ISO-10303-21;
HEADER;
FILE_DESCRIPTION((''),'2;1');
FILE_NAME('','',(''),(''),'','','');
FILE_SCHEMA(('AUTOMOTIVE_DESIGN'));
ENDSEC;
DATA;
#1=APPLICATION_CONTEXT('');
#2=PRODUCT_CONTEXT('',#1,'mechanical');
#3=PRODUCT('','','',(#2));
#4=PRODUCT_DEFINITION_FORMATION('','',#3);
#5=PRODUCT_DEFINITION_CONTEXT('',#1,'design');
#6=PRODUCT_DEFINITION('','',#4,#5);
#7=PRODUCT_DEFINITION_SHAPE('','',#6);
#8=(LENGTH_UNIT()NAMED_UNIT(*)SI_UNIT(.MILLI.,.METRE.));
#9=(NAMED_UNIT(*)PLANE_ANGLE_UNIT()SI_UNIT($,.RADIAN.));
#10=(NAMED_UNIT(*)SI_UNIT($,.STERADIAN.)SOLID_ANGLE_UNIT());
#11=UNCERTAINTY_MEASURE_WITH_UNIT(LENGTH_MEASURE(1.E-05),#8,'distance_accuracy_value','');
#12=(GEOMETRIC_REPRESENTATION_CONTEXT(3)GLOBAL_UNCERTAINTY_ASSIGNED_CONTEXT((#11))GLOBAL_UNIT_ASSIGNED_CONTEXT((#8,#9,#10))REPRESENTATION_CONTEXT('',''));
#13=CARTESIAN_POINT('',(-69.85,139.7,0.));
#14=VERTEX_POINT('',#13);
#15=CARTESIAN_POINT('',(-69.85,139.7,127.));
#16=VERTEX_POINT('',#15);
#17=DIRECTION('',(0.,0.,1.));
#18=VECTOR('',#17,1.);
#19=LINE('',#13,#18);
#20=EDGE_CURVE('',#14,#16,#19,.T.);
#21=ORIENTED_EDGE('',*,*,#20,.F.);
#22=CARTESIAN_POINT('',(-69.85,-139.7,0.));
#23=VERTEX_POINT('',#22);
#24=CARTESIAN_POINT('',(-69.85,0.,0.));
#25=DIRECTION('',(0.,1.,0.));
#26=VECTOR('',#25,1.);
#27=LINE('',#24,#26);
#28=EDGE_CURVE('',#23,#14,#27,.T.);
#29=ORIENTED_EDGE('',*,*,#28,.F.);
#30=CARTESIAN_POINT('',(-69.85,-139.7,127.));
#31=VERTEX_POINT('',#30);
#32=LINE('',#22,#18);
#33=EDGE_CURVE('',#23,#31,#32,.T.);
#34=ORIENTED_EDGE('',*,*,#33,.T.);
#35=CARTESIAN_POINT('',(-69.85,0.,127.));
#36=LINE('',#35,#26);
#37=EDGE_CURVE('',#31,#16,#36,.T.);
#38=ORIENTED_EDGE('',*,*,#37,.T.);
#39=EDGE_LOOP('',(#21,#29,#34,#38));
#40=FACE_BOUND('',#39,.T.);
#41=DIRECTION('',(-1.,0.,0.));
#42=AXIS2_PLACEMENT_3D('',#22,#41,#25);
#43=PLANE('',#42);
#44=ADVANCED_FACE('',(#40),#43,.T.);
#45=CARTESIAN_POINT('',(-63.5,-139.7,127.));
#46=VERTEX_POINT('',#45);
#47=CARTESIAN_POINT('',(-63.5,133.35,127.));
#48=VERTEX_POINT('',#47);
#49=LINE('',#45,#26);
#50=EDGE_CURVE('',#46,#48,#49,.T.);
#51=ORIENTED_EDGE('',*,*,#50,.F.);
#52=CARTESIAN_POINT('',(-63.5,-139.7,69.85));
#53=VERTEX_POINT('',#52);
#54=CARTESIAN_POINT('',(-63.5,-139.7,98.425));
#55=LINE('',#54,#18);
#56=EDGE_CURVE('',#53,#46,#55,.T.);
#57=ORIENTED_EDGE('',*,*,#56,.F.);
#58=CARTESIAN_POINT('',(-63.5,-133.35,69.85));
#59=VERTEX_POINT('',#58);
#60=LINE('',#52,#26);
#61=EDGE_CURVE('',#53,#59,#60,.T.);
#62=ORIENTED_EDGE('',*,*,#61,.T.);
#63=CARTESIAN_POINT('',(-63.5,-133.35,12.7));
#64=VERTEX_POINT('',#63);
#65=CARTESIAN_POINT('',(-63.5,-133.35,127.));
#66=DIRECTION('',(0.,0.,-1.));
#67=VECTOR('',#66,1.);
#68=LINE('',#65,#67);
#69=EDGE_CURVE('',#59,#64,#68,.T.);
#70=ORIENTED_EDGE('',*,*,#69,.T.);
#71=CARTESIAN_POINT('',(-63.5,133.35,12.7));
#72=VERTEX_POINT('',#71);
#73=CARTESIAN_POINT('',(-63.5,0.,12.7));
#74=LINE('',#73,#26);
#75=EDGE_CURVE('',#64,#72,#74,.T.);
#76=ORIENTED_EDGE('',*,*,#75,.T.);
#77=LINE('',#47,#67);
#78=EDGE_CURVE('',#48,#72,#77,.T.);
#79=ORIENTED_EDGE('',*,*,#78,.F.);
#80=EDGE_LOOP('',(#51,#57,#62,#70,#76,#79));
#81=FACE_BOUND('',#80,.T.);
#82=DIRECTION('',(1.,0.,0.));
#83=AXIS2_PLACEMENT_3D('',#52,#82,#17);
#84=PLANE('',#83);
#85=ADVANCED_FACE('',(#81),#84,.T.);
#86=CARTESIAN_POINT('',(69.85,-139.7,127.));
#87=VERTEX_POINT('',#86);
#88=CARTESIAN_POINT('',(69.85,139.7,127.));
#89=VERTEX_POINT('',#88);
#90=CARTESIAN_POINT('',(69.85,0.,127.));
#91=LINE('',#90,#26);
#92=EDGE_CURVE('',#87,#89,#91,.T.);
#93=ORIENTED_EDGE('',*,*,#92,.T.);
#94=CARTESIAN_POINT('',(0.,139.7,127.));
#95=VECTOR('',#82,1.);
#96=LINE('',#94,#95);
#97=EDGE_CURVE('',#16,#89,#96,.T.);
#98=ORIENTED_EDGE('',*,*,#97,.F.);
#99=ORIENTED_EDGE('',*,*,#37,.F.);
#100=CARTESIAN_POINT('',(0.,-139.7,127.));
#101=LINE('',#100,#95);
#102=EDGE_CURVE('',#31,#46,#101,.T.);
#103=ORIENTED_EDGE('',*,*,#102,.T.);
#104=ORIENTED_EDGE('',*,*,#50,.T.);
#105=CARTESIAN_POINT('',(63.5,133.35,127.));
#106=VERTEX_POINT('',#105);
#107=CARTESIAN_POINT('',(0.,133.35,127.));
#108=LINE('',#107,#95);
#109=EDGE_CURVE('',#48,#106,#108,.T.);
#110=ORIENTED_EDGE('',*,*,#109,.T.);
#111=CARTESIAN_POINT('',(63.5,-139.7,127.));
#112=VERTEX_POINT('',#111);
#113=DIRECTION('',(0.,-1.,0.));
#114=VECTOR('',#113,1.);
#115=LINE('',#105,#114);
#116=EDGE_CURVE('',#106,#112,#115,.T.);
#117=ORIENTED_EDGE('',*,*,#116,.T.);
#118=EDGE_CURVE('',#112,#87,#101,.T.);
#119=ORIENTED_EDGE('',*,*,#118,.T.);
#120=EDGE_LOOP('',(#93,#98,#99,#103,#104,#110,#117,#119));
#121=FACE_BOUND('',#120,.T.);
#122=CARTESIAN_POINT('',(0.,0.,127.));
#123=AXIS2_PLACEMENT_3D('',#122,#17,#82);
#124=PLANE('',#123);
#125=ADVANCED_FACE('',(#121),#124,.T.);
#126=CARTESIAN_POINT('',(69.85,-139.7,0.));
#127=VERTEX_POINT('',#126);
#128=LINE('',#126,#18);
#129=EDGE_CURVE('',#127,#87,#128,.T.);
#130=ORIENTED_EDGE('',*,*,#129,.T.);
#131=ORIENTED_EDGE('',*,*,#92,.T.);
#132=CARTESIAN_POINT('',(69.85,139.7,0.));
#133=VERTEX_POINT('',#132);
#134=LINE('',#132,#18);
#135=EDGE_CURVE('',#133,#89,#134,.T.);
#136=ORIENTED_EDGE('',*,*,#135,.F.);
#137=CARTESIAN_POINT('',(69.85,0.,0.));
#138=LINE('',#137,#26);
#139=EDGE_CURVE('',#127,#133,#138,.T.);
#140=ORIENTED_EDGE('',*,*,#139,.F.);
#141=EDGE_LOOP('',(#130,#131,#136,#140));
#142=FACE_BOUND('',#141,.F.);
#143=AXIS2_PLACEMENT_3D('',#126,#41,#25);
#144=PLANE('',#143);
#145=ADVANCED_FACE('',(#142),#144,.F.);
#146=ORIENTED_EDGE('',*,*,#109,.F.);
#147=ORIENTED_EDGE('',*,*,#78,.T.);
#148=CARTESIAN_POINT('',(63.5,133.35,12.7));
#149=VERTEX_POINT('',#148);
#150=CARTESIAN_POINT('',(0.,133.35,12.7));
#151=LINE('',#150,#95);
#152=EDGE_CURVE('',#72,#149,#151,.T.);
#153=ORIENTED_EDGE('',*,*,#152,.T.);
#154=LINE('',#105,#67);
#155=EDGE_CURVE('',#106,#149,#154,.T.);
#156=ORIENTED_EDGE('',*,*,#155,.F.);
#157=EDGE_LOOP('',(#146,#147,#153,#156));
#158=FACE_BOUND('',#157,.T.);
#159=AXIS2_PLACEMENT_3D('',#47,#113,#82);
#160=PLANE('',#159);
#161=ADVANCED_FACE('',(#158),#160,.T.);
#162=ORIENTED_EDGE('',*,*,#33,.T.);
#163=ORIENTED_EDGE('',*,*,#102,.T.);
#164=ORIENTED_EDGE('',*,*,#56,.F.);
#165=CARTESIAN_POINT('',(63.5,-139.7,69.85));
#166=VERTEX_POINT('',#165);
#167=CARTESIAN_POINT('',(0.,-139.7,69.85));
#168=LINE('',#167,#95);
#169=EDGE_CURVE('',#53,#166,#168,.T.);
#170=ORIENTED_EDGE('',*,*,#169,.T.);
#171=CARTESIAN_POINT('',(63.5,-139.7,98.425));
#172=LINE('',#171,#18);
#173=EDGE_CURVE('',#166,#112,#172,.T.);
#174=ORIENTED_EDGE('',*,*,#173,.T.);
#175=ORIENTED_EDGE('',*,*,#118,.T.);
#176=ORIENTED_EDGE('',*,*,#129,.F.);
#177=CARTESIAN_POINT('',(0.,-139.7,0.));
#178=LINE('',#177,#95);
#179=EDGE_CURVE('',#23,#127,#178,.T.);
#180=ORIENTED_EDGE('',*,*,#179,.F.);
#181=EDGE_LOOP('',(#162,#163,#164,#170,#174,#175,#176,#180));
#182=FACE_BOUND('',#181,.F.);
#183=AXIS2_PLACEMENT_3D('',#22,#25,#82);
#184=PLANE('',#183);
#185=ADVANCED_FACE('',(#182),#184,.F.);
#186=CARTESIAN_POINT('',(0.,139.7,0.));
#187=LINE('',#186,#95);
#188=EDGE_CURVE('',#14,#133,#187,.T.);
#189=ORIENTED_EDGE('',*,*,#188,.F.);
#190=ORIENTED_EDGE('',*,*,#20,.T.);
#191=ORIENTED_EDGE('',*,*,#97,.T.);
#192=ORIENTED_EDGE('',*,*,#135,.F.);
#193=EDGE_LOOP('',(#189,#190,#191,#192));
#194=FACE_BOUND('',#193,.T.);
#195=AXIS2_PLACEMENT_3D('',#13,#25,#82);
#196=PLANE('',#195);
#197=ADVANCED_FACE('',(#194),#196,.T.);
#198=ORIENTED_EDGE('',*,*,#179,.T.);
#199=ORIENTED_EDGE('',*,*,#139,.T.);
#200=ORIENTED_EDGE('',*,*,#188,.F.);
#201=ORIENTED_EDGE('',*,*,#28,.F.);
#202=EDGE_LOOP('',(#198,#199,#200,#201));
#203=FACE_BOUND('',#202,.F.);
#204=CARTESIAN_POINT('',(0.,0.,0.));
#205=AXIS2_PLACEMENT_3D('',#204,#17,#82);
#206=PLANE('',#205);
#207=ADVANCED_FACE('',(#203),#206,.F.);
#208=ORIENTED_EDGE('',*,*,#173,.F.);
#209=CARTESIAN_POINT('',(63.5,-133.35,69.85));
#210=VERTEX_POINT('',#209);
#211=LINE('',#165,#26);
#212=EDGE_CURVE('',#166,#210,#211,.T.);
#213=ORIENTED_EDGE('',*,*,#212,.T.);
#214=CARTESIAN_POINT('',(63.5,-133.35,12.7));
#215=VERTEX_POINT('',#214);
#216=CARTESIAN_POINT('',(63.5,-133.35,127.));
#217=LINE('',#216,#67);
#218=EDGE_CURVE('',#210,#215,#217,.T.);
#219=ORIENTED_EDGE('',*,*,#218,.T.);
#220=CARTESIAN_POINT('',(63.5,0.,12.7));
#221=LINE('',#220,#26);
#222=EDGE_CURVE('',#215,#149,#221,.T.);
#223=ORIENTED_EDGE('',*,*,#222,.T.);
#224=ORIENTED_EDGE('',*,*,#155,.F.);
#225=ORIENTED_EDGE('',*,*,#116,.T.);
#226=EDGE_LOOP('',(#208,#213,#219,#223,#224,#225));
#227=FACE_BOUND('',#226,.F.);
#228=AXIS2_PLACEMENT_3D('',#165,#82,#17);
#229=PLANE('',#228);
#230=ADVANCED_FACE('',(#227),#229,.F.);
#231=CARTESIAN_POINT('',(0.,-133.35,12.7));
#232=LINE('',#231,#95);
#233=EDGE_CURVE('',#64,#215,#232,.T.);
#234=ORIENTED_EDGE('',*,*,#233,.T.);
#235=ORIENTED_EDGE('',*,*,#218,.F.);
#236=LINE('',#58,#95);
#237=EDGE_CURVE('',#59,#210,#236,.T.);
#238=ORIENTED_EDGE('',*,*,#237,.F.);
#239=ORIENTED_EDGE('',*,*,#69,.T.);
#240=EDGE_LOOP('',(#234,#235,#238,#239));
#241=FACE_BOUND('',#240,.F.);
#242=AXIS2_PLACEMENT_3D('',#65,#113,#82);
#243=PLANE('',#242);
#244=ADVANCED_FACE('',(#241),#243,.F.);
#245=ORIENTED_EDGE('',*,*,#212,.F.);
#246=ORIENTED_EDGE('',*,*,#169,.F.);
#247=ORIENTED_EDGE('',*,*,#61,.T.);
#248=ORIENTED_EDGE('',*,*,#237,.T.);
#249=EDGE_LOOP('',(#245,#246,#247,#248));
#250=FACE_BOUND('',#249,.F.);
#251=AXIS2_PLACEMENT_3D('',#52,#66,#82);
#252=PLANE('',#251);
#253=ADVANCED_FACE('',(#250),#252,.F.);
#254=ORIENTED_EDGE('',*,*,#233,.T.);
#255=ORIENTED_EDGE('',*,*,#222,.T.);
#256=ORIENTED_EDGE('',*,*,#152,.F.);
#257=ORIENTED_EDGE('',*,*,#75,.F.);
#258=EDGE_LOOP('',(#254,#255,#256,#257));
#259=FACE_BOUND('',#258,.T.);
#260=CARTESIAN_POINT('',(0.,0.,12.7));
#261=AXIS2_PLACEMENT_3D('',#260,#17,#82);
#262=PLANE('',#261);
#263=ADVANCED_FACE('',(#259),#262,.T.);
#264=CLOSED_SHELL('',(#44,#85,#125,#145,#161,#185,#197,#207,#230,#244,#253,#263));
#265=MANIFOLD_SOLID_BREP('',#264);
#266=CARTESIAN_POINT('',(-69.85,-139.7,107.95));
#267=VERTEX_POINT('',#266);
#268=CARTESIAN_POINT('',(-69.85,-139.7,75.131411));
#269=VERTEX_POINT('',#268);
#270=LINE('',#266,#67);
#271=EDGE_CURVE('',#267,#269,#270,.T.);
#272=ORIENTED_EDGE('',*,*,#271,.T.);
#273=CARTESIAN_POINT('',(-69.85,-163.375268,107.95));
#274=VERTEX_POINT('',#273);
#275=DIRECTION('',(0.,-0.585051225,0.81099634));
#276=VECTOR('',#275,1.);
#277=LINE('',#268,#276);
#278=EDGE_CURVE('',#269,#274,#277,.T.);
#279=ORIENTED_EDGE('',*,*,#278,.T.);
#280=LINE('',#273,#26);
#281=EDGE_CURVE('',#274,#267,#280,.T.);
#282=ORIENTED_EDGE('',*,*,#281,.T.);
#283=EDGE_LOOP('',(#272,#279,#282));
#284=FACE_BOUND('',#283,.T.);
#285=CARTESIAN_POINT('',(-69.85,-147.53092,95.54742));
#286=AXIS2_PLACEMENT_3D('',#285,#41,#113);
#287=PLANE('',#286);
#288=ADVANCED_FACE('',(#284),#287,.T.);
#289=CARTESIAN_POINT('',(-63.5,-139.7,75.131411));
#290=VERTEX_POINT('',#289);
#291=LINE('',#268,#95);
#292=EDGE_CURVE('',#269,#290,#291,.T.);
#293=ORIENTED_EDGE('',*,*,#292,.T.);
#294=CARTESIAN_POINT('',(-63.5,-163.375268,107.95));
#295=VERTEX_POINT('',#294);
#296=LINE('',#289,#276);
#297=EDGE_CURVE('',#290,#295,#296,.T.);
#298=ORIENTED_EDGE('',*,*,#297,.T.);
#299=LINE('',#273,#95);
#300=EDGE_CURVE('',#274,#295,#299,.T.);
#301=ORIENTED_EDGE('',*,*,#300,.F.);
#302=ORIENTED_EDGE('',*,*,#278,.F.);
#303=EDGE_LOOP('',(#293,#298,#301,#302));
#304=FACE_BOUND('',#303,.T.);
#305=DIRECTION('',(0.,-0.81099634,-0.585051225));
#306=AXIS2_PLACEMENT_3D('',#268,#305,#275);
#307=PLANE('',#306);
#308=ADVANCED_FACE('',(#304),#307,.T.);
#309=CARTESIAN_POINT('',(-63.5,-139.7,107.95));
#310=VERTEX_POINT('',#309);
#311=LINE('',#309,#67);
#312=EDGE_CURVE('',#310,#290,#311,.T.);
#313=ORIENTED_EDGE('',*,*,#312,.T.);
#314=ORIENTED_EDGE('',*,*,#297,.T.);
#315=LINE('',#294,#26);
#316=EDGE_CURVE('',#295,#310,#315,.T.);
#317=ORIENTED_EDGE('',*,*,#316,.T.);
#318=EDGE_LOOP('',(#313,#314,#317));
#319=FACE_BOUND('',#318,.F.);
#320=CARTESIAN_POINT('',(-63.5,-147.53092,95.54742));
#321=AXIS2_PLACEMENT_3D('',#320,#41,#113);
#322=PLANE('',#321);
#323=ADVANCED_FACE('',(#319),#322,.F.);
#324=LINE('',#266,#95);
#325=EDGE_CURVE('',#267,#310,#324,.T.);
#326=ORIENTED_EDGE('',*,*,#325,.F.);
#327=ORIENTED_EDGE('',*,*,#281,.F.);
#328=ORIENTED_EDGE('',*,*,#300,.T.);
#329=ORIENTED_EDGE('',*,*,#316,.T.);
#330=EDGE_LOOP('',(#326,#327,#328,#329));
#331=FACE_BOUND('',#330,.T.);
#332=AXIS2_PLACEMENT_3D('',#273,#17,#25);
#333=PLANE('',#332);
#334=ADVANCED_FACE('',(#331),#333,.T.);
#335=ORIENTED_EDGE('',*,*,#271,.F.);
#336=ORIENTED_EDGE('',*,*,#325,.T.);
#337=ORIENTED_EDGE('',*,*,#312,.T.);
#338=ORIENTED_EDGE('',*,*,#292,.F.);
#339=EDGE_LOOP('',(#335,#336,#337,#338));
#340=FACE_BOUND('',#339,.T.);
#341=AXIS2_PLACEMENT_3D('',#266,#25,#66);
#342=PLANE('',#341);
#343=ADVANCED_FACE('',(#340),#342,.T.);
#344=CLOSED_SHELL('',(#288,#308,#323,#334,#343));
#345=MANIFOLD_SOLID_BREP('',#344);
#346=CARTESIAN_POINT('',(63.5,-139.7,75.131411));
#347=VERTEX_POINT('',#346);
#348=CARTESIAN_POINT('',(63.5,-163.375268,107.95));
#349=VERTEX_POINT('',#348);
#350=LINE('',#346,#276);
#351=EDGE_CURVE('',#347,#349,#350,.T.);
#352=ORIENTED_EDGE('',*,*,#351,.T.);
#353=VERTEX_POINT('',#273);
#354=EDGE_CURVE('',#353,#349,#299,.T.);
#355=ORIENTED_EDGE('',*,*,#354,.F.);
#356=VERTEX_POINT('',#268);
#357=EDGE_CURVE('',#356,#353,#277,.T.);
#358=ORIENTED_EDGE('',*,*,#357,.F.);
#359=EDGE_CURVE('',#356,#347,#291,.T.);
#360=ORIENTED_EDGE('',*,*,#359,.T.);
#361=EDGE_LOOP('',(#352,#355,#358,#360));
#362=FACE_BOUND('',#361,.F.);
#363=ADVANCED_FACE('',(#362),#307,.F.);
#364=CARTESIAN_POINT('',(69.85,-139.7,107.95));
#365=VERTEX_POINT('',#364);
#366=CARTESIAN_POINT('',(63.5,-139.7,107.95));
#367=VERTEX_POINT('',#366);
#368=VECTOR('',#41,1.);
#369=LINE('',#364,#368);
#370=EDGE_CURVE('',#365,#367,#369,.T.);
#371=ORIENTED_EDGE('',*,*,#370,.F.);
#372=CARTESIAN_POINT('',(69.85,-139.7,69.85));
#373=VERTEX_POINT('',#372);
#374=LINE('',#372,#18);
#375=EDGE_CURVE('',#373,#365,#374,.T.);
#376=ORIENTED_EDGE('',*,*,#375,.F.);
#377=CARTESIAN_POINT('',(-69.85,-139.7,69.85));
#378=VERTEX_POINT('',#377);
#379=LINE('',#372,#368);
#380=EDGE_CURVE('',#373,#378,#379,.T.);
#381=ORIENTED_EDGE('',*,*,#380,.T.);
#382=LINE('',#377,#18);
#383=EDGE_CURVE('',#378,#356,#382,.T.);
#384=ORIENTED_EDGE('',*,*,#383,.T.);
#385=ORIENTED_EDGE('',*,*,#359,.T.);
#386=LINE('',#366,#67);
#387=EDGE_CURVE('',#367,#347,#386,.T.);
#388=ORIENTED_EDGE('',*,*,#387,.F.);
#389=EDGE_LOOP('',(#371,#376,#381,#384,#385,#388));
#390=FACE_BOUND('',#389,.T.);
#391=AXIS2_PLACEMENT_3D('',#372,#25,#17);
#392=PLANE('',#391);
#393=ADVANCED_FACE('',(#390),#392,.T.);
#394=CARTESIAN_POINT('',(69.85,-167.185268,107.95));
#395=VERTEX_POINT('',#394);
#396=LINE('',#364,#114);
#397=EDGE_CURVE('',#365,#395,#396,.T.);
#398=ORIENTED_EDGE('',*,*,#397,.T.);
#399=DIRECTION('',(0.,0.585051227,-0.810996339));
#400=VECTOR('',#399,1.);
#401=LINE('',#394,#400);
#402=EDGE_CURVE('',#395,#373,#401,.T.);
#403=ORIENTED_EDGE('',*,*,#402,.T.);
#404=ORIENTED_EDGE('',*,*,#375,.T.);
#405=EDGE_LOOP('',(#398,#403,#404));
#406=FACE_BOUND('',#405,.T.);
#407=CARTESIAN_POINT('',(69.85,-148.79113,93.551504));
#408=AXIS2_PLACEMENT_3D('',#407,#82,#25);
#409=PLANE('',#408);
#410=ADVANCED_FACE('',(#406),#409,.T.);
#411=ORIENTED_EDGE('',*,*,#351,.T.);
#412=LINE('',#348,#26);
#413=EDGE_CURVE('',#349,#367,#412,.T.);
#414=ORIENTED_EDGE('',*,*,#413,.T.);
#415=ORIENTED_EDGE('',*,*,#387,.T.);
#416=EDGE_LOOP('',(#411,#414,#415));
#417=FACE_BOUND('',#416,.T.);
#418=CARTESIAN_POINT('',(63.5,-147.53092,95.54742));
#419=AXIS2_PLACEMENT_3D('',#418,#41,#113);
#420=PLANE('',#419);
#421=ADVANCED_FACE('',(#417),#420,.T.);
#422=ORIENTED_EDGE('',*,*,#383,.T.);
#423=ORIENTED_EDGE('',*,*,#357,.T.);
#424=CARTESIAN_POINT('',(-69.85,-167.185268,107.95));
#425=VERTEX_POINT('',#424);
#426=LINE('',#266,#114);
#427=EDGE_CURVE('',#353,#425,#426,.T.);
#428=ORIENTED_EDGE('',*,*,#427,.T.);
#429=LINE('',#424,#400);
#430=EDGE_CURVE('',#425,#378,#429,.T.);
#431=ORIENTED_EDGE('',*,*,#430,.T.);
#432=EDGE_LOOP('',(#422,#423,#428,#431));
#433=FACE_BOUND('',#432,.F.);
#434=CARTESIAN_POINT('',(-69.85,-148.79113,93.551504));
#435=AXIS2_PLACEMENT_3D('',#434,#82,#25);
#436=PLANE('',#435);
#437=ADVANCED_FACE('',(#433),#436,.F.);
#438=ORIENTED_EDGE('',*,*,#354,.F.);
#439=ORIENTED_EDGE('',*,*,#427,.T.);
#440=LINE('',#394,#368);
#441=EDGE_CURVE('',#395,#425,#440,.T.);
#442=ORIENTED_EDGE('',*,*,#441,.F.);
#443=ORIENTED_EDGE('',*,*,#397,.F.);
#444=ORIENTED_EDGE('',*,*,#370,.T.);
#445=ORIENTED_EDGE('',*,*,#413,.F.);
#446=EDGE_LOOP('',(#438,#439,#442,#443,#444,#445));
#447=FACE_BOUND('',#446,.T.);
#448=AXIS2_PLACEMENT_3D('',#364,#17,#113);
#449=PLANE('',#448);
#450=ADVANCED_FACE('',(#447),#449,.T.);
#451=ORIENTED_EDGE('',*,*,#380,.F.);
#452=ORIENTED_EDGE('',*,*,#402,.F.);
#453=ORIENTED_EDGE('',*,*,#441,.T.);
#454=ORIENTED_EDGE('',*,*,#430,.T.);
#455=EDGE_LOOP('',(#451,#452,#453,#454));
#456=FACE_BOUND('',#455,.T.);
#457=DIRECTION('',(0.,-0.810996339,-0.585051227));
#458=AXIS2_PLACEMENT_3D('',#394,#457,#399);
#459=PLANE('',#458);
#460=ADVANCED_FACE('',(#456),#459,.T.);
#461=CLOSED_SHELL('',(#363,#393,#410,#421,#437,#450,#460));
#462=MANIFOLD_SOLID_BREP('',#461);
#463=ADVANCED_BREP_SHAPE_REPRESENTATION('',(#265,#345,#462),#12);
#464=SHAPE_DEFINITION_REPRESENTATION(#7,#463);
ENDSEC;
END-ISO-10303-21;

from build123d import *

# Parameters (mm, degrees)
F0_W      = 139.7
F0_H      = 279.4
F1_DEPTH  = 127
F2_W      = 127
F2_H      = 266.7
F3_DEPTH  = 114.3
F4_W      = 127
F4_H      = 57.15
F5_DEPTH  = 25.4
F7_DEPTH  = 139.7
F9_DEPTH  = 133.35
F11_DEPTH = 6.35
F12_DEPTH = 6.35


with BuildPart() as f1:
    # F0 (on Top) → F1 (new body)
    with BuildSketch(Plane.XY):
        Rectangle(F0_W, F0_H)
    extrude(amount=F1_DEPTH)

    # F2 (on face) → F3 (cut)
    with BuildSketch(Plane.XY.offset(127)):
        Rectangle(F2_W, F2_H)
    extrude(amount=-F3_DEPTH, mode=Mode.SUBTRACT)

    # F4 (on face) → F5 (cut)
    with BuildSketch(Plane.XZ.offset(139.7)):
        with Locations((0, 98.425)):
            Rectangle(F4_W, F4_H)
    extrude(amount=-F5_DEPTH, mode=Mode.SUBTRACT)


with BuildPart() as f7:
    # F6 (on face) → F7 (new body)
    with BuildSketch(Plane.YZ.offset(69.85)):
        Polygon((-139.7, 69.85), (-139.7, 107.95), (-167.185268, 107.95), align=None)
    extrude(amount=-F7_DEPTH)

    # F8 (on face) → F9 (cut)
    with BuildSketch(Plane(origin=(-69.85, 0, 0), x_dir=(0, -1, 0), z_dir=(-1, 0, 0))):
        Polygon((163.375268, 107.95), (139.7, 107.95), (139.7, 75.131411), align=None)
    extrude(amount=-F9_DEPTH, mode=Mode.SUBTRACT)


with BuildPart() as f11:
    # F10 (on face) → F11 (new body)
    with BuildSketch(Plane(origin=(-69.85, 0, 0), x_dir=(0, -1, 0), z_dir=(-1, 0, 0))):
        Polygon((139.7, 75.131411), (163.375268, 107.95), (139.7, 107.95), align=None)
    extrude(amount=-F11_DEPTH)


with BuildPart() as f12:
    # F10 (on face) → F12 (new body)
    with BuildSketch(Plane(origin=(-69.85, 0, 0), x_dir=(0, -1, 0), z_dir=(-1, 0, 0))):
        Polygon((139.7, 75.131411), (163.375268, 107.95), (139.7, 107.95), align=None)
    extrude(amount=-F12_DEPTH)


solid = Compound([f1.part, f7.part, f12.part])
